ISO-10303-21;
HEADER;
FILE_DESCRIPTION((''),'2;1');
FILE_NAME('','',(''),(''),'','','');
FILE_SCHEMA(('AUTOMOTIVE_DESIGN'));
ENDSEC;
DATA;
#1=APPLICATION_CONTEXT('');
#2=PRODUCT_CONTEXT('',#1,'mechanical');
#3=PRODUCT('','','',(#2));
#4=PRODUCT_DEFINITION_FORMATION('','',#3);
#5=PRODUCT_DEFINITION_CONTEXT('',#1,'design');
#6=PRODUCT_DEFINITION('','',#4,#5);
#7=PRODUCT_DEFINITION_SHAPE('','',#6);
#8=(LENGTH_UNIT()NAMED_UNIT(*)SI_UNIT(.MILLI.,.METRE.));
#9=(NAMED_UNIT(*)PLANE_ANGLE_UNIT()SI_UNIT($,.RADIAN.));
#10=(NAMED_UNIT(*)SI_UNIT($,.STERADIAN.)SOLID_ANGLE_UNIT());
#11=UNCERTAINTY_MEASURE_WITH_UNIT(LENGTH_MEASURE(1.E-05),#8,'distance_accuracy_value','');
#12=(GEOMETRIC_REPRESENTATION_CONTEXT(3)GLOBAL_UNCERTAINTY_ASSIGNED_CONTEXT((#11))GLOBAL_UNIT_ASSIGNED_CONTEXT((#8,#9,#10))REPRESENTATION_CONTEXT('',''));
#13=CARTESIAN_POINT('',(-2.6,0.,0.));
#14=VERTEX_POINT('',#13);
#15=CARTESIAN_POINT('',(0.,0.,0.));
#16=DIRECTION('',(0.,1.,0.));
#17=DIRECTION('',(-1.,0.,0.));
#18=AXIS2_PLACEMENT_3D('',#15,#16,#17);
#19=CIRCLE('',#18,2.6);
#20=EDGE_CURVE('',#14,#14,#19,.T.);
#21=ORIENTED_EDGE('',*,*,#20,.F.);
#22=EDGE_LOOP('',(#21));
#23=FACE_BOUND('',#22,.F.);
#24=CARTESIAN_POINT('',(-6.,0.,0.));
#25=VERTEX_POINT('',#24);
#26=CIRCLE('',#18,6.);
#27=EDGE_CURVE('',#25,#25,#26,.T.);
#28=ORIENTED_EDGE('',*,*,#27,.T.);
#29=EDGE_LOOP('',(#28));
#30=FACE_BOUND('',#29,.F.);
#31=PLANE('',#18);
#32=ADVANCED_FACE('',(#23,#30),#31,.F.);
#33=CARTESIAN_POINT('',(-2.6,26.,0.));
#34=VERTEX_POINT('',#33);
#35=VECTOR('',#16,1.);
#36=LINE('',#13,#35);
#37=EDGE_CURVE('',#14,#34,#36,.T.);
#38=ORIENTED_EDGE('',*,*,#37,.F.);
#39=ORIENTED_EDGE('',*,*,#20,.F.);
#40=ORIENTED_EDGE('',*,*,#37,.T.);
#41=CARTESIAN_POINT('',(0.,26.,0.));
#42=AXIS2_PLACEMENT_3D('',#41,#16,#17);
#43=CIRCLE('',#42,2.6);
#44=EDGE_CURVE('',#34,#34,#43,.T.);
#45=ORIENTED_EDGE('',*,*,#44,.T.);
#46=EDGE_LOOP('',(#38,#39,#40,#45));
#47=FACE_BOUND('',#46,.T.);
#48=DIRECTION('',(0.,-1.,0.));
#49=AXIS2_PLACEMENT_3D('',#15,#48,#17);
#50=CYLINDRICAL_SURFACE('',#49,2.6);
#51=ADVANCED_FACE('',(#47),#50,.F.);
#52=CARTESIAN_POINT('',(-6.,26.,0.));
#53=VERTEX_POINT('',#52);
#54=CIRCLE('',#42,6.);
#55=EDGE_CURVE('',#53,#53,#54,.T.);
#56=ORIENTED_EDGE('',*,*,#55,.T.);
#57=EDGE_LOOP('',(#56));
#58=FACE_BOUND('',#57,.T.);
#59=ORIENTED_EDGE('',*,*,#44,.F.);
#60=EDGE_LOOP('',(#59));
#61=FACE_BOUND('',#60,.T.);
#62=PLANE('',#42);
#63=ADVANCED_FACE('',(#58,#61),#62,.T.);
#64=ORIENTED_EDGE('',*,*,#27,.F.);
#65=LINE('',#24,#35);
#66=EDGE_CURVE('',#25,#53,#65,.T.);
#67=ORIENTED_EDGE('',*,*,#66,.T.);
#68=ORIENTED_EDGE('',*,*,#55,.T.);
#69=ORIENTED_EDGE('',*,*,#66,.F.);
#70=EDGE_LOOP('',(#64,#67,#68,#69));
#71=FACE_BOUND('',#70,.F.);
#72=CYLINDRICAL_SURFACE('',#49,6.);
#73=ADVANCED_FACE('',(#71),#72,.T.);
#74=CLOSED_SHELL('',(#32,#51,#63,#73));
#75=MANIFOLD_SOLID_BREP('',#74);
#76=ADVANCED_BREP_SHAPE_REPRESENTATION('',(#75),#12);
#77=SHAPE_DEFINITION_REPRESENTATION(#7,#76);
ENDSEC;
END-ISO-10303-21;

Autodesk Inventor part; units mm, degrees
ref_plane "YZ Plane" through (0, 0, 0) normal (1, 0, 0) x (0, 1, 0)
ref_plane "XZ Plane" through (0, 0, 0) normal (0, 1, 0) x (-1, 0, 0)
ref_plane "XY Plane" through (0, 0, 0) normal (0, 0, 1) x (1, 0, 0)
sketch "Skizze1" plane through (0, 0, 0) normal (0, 1, 0) x (-1, 0, 0)
  circle A0 centre (0, 0) radius 6
  circle A1 centre (0, 0) radius 2.6
  dimension "d0" = 12
  dimension "d1" = 5.2
extrude "Extrusion1" add sketch "Skizze1" along normal blind 26
properties part number "Honigschleuder_Steuerung_Abstandshalter"
